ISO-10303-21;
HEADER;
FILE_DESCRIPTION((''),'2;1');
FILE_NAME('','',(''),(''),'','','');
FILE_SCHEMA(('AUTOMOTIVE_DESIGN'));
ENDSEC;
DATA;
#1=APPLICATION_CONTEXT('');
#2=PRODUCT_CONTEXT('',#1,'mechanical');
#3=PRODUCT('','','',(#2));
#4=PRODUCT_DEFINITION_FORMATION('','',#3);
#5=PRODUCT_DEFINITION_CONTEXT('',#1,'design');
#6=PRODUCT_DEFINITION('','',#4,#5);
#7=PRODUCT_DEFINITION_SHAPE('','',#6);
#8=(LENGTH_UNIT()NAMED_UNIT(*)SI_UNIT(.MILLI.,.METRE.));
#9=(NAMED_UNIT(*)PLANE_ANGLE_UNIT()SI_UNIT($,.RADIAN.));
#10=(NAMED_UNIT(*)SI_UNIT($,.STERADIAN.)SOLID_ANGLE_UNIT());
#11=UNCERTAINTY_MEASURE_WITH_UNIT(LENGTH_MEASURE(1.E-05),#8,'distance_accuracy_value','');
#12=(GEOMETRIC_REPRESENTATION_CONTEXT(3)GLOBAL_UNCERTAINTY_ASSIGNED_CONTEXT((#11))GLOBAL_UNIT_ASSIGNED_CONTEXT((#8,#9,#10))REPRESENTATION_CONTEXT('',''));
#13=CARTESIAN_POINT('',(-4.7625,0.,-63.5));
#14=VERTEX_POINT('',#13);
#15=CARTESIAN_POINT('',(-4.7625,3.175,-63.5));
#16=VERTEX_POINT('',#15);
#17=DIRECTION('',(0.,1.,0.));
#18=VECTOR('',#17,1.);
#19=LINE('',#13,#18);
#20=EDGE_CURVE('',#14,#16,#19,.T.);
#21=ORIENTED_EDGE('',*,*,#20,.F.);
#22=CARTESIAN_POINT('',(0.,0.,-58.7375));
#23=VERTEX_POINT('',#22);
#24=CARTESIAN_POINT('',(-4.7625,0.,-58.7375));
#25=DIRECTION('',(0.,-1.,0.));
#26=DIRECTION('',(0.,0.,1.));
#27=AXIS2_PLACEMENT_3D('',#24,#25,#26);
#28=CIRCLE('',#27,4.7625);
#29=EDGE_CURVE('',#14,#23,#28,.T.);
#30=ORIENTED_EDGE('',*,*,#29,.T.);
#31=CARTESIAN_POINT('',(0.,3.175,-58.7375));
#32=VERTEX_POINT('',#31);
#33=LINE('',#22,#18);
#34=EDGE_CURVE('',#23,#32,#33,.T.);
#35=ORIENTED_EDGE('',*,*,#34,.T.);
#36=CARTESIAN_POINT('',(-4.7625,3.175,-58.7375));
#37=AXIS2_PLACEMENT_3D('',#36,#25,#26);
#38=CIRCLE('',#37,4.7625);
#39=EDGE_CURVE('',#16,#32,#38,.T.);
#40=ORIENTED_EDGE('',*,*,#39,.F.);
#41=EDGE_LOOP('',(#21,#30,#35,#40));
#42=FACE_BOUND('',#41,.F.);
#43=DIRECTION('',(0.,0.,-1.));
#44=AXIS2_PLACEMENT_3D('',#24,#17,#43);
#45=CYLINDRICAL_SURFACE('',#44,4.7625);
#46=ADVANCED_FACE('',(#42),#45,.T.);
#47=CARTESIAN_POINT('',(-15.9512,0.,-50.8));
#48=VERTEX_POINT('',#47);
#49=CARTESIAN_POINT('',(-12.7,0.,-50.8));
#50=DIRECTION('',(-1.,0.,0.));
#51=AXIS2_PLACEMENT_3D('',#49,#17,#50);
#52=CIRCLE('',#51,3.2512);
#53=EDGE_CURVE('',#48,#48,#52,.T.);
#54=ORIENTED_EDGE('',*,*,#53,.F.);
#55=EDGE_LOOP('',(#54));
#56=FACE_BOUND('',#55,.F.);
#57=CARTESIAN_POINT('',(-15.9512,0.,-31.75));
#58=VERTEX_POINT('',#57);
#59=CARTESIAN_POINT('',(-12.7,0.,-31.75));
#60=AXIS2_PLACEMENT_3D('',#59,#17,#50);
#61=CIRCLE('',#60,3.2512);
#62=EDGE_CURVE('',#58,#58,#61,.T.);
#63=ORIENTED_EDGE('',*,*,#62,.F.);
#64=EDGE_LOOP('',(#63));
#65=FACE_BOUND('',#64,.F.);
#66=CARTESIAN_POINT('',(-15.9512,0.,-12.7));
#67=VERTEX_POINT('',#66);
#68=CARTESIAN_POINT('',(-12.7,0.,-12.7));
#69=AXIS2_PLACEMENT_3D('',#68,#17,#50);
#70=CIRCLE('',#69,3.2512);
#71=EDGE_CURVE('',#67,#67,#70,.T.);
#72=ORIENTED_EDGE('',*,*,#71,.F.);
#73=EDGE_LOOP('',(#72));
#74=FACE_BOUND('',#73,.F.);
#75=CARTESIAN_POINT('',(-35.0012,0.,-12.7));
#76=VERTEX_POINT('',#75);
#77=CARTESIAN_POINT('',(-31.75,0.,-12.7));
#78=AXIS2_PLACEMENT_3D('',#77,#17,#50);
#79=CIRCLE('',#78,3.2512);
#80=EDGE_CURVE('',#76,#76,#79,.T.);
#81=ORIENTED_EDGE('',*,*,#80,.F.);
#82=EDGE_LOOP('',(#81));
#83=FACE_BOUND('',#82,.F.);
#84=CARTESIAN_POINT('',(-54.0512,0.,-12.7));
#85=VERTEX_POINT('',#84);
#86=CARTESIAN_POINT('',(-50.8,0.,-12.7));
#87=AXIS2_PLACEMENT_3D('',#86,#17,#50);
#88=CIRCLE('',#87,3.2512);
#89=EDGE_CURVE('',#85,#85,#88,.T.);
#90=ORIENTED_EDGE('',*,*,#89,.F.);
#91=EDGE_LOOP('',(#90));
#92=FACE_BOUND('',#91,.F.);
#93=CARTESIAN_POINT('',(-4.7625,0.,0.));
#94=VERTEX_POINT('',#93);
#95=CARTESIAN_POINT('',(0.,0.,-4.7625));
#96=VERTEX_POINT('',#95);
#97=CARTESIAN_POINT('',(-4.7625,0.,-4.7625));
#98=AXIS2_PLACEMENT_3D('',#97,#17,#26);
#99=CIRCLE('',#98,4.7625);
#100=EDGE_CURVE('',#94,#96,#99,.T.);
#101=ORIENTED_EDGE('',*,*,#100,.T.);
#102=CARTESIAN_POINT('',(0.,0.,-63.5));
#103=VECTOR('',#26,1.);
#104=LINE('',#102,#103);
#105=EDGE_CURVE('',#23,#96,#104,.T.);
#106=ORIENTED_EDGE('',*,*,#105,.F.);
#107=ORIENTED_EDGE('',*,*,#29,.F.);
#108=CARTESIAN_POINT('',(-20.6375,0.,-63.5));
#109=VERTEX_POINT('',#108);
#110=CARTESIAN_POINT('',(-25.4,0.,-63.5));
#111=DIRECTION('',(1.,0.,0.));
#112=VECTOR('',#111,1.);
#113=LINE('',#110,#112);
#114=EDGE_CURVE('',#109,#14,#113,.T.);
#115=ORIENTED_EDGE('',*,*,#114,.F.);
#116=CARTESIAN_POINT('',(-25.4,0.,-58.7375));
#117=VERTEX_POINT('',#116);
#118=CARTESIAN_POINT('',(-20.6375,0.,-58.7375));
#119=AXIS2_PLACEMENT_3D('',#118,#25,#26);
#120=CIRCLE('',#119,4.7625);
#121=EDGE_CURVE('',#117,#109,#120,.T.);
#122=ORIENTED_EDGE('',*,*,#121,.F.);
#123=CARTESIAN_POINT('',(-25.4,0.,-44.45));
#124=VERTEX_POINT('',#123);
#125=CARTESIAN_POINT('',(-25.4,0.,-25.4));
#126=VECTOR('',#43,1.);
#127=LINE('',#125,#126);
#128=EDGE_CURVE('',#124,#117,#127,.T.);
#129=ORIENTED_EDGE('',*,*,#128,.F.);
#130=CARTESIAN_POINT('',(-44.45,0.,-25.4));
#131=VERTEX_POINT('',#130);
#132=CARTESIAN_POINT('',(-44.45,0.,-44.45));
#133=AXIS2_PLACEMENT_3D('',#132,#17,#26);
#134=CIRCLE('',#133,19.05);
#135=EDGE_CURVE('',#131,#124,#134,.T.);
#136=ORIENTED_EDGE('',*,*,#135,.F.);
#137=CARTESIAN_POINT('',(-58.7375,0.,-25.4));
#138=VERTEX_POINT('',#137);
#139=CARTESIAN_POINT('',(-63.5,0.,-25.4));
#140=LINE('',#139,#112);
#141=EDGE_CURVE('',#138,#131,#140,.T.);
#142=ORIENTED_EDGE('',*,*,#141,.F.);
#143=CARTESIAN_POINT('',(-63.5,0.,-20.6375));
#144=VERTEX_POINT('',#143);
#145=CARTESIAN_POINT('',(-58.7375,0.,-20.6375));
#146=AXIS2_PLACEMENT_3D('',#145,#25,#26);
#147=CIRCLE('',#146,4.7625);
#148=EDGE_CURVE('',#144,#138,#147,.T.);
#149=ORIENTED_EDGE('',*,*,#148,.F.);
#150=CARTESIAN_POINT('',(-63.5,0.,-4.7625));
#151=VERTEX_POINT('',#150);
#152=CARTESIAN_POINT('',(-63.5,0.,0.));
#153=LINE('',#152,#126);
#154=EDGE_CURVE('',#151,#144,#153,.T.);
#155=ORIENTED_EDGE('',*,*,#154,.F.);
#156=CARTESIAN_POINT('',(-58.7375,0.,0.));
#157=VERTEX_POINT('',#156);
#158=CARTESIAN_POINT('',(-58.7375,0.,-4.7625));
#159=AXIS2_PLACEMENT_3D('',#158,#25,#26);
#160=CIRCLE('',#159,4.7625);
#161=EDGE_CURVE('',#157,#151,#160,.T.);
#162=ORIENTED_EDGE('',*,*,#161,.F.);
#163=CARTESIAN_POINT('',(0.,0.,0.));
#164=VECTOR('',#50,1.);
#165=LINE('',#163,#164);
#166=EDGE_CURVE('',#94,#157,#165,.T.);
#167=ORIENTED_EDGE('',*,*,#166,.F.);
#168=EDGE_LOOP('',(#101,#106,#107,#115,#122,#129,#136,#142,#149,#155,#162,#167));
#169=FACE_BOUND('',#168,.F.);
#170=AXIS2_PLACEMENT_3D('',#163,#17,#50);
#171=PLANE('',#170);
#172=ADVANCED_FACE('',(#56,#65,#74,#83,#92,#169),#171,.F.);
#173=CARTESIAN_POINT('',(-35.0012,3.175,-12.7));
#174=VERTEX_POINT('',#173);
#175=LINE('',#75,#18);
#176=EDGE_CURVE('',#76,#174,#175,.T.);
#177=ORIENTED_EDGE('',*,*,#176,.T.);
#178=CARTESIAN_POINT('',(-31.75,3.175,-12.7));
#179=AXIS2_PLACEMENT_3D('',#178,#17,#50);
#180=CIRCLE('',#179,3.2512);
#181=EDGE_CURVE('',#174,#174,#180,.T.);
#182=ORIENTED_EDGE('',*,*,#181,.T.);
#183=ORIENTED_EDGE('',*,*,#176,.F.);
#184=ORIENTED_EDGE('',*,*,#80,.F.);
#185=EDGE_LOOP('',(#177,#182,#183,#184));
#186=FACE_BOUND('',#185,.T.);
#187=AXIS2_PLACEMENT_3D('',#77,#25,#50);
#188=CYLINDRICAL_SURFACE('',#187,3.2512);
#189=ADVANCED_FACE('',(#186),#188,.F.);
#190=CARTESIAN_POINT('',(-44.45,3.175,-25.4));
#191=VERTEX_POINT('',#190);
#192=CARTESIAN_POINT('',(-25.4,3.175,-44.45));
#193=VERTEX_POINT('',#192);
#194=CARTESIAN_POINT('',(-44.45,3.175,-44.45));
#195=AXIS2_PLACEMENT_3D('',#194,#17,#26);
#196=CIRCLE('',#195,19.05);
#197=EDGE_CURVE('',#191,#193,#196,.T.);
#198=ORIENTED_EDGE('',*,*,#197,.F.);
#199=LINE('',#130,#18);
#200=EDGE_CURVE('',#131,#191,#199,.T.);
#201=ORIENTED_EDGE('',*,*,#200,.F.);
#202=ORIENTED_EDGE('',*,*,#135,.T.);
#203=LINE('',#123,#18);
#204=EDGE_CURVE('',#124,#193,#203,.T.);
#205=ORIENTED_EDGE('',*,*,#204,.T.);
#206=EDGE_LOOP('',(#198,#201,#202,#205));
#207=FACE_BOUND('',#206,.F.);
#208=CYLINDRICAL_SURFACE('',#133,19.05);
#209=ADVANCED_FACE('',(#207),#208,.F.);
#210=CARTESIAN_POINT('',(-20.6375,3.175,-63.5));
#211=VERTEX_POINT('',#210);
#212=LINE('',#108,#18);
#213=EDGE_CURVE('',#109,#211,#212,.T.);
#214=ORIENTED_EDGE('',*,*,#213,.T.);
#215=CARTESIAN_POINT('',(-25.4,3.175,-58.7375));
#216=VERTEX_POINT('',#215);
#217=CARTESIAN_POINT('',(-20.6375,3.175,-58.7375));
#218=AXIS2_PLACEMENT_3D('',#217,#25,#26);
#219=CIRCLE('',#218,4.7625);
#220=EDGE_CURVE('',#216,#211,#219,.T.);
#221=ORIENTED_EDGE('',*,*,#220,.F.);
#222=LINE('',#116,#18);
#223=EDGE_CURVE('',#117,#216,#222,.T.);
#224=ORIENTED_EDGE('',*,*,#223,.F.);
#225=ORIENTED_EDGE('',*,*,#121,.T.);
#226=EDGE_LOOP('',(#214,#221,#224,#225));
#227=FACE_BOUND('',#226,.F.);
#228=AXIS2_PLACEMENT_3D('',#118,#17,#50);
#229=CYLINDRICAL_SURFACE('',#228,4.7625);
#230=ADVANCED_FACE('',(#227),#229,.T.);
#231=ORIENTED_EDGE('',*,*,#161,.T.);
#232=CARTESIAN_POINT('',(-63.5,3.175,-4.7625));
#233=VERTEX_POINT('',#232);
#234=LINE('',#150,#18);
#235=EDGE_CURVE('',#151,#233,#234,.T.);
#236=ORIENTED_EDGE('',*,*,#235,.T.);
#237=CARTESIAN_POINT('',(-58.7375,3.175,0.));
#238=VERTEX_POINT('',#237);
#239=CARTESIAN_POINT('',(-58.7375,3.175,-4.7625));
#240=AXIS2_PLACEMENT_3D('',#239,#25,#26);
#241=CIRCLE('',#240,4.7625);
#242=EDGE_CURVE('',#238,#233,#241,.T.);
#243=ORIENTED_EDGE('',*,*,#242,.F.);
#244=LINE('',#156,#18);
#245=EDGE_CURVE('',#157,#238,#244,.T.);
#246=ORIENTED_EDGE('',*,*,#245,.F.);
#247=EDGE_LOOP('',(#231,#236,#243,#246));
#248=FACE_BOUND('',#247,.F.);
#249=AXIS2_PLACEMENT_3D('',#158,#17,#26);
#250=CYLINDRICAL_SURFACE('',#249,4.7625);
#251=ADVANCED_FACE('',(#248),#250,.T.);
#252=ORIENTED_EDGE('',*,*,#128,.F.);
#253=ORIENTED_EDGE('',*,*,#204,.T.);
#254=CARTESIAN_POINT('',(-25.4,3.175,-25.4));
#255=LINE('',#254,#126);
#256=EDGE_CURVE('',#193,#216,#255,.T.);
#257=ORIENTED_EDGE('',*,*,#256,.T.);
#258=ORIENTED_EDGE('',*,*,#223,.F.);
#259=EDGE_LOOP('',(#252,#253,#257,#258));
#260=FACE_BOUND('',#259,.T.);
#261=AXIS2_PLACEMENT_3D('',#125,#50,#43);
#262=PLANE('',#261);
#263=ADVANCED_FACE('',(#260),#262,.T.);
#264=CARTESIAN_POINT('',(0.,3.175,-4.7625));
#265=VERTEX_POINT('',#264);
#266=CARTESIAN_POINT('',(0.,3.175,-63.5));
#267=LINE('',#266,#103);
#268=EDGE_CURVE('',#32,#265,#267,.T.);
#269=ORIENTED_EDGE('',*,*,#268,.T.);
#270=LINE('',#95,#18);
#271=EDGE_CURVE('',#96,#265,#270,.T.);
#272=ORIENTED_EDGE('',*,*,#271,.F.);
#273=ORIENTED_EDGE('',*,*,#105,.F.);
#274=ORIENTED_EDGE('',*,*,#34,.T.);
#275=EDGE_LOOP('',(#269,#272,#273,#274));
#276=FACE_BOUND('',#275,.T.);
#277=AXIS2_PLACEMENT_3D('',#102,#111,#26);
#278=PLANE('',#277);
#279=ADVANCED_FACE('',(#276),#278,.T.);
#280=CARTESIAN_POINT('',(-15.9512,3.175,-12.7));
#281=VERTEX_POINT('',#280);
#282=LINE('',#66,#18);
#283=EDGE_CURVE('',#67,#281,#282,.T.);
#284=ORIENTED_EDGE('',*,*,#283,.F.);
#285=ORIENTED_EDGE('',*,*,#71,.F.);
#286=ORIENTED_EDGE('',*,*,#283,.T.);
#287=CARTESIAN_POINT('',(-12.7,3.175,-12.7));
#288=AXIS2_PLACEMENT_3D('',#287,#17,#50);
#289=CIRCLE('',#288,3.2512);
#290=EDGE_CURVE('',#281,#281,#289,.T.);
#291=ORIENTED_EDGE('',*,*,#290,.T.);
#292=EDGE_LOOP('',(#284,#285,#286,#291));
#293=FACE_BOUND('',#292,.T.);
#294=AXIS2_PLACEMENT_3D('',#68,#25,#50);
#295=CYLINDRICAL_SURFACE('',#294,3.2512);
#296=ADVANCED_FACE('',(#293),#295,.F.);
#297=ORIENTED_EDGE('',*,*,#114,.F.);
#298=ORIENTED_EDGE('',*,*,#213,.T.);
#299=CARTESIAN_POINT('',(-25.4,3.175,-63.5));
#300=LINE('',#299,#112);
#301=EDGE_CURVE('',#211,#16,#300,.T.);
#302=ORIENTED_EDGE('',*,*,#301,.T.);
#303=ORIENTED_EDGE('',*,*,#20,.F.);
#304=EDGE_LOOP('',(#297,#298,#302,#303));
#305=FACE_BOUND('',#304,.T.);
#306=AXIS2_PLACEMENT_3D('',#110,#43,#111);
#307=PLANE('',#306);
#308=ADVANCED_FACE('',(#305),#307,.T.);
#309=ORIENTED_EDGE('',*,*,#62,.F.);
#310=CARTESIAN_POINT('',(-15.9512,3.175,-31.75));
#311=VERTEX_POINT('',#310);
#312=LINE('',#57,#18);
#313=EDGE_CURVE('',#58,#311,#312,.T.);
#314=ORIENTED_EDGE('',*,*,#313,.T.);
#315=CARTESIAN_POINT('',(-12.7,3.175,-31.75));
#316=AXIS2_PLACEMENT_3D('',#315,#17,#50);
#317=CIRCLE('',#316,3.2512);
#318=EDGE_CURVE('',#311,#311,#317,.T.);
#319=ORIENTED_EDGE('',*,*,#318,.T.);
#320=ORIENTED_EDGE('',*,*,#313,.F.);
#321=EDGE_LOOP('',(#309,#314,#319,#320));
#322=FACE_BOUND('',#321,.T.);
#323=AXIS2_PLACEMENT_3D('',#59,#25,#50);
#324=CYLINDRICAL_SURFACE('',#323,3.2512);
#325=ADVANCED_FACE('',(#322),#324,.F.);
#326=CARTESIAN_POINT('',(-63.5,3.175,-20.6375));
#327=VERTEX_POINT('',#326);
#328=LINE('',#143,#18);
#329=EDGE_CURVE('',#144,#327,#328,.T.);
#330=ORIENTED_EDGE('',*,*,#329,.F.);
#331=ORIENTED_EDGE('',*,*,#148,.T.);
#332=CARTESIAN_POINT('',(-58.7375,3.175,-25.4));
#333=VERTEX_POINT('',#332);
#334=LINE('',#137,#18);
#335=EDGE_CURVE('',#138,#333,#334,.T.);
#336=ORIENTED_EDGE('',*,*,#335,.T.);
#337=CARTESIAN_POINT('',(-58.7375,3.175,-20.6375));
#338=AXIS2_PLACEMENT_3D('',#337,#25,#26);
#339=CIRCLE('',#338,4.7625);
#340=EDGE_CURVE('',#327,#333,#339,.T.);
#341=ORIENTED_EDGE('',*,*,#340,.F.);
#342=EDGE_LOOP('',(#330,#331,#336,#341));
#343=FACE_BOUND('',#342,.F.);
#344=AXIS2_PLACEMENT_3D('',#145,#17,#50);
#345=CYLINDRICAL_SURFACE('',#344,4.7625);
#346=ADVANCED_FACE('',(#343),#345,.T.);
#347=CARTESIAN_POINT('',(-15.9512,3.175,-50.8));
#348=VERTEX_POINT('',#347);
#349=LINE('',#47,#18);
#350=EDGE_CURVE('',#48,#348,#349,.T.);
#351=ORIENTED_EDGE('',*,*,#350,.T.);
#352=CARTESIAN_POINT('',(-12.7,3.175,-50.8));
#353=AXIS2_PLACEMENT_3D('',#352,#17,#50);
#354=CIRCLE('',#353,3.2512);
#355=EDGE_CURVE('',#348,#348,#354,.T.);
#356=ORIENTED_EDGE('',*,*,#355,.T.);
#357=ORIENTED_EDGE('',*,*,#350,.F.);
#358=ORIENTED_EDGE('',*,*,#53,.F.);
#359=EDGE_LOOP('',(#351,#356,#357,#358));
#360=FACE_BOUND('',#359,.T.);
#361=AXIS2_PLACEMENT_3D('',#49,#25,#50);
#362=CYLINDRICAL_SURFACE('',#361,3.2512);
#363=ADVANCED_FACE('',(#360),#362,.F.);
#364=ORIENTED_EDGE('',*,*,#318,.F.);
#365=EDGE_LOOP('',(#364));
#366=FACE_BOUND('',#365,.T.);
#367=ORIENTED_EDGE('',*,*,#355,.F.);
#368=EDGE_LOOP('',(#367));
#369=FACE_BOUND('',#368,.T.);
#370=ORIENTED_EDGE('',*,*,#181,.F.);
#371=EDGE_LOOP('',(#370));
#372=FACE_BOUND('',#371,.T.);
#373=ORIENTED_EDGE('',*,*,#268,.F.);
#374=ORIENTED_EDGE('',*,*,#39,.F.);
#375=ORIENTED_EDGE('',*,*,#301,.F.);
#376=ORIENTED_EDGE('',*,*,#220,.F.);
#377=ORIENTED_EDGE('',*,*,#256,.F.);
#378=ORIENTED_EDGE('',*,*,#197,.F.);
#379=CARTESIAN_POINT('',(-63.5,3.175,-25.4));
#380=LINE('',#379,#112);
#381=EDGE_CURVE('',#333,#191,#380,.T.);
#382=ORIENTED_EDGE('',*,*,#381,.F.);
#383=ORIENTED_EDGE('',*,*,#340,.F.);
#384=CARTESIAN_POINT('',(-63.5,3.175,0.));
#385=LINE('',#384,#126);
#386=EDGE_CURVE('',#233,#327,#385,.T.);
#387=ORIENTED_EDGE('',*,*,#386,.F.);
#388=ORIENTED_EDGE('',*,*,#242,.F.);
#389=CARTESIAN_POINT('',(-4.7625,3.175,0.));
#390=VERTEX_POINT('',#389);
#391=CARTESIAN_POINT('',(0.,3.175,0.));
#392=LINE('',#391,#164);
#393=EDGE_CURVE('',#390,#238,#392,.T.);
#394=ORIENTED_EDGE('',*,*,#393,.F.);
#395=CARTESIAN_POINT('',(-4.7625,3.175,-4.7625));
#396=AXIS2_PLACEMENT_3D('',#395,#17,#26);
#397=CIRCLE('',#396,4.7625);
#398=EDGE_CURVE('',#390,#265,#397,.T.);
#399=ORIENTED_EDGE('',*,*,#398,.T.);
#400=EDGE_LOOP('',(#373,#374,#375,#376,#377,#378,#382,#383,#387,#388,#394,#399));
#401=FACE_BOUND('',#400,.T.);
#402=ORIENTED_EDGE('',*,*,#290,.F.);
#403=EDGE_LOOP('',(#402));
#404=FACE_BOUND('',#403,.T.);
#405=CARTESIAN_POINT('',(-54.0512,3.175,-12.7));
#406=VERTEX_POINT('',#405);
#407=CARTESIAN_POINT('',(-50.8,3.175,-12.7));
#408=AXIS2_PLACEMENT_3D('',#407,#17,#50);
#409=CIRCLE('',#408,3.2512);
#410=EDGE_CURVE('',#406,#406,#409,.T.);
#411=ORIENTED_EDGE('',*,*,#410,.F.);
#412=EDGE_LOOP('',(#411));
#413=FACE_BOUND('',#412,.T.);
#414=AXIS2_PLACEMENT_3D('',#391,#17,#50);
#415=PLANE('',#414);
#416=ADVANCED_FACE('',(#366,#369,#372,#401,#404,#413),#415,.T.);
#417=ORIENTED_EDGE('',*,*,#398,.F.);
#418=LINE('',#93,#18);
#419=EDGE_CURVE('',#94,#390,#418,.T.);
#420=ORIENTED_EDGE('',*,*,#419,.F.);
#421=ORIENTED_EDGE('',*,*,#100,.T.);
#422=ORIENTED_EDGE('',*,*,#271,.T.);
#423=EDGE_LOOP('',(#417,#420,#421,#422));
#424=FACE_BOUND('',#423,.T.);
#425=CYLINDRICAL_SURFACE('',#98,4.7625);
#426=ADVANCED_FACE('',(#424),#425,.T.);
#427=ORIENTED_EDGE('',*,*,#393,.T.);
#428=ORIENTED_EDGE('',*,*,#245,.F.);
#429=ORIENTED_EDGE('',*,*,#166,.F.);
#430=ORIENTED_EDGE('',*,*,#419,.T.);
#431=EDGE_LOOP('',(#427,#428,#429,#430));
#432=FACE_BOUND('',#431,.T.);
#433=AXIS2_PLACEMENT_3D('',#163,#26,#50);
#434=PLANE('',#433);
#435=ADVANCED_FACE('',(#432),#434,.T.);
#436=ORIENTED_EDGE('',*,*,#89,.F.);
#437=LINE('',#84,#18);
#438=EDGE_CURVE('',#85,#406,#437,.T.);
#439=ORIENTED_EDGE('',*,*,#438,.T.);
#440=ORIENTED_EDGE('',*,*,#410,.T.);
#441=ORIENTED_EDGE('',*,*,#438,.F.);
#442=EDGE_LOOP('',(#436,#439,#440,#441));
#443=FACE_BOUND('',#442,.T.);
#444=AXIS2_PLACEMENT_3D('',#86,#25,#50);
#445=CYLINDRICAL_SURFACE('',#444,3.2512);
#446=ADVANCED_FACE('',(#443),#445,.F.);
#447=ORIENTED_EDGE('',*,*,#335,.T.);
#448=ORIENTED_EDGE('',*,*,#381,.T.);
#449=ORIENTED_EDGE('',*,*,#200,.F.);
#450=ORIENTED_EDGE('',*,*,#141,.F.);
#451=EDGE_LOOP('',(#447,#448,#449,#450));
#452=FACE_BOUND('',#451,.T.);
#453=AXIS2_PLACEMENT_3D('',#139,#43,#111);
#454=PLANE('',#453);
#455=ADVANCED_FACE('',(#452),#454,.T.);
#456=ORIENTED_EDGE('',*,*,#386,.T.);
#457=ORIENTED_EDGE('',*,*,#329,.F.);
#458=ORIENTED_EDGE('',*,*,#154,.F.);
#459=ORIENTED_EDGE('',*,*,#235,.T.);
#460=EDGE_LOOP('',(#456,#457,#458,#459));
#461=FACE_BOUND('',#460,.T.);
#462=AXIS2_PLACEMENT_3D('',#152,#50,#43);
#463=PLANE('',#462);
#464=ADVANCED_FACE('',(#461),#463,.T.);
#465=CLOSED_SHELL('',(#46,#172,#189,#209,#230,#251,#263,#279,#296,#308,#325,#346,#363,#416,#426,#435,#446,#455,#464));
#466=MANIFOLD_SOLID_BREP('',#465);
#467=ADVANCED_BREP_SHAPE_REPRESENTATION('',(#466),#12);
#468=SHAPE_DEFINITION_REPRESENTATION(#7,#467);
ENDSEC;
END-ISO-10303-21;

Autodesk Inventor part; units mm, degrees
ref_plane "YZ Plane" through (0, 0, 0) normal (1, 0, 0) x (0, 1, 0)
ref_plane "XZ Plane" through (0, 0, 0) normal (0, 1, 0) x (-1, 0, 0)
ref_plane "XY Plane" through (0, 0, 0) normal (0, 0, 1) x (1, 0, 0)
sketch "Sketch1" plane through (0, 0, 0) normal (0, 1, 0) x (-1, 0, 0)
  line L0 (0, 0) -> (63.5, 0)
  line L1 (63.5, 0) -> (63.5, -25.4)
  line L2 (63.5, -25.4) -> (25.4, -25.4)
  line L3 (25.4, -25.4) -> (25.4, -63.5)
  line L4 (25.4, -63.5) -> (0, -63.5)
  line L5 (0, -63.5) -> (0, 0)
  circle A0 centre (12.7, -12.7) radius 3.2512
  line L6 (0, 0) -> (25.4, -25.4) construction
  circle A1 centre (31.75, -12.7) radius 3.2512
  circle A2 centre (50.8, -12.7) radius 3.2512
  circle A3 centre (12.7, -31.75) radius 3.2512
  circle A4 centre (12.7, -50.8) radius 3.2512
  point P0 (12.7, -12.7)
  dimension "d0" = 25.4
  dimension "d1" = 6.5024
  dimension "d2" = 19.05
  dimension "d3" = 19.05
  dimension "d4" = 12.7
extrude "Extrusion1" add sketch "Sketch1" along normal blind 3.175
fillet "Fillet1" radius 4.7625 5 edges at (0, 1.5875, 0) (-63.5, 1.5875, 0) (-63.5, 1.5875, -25.4) (0, 1.5875, -63.5) (-25.4, 1.5875, -63.5)
fillet "Fillet2" radius 19.05 1 edges at (-25.4, 1.5875, -25.4)
properties part number "STRU_009_FrameBracket_90" material "Aluminum 6061"
